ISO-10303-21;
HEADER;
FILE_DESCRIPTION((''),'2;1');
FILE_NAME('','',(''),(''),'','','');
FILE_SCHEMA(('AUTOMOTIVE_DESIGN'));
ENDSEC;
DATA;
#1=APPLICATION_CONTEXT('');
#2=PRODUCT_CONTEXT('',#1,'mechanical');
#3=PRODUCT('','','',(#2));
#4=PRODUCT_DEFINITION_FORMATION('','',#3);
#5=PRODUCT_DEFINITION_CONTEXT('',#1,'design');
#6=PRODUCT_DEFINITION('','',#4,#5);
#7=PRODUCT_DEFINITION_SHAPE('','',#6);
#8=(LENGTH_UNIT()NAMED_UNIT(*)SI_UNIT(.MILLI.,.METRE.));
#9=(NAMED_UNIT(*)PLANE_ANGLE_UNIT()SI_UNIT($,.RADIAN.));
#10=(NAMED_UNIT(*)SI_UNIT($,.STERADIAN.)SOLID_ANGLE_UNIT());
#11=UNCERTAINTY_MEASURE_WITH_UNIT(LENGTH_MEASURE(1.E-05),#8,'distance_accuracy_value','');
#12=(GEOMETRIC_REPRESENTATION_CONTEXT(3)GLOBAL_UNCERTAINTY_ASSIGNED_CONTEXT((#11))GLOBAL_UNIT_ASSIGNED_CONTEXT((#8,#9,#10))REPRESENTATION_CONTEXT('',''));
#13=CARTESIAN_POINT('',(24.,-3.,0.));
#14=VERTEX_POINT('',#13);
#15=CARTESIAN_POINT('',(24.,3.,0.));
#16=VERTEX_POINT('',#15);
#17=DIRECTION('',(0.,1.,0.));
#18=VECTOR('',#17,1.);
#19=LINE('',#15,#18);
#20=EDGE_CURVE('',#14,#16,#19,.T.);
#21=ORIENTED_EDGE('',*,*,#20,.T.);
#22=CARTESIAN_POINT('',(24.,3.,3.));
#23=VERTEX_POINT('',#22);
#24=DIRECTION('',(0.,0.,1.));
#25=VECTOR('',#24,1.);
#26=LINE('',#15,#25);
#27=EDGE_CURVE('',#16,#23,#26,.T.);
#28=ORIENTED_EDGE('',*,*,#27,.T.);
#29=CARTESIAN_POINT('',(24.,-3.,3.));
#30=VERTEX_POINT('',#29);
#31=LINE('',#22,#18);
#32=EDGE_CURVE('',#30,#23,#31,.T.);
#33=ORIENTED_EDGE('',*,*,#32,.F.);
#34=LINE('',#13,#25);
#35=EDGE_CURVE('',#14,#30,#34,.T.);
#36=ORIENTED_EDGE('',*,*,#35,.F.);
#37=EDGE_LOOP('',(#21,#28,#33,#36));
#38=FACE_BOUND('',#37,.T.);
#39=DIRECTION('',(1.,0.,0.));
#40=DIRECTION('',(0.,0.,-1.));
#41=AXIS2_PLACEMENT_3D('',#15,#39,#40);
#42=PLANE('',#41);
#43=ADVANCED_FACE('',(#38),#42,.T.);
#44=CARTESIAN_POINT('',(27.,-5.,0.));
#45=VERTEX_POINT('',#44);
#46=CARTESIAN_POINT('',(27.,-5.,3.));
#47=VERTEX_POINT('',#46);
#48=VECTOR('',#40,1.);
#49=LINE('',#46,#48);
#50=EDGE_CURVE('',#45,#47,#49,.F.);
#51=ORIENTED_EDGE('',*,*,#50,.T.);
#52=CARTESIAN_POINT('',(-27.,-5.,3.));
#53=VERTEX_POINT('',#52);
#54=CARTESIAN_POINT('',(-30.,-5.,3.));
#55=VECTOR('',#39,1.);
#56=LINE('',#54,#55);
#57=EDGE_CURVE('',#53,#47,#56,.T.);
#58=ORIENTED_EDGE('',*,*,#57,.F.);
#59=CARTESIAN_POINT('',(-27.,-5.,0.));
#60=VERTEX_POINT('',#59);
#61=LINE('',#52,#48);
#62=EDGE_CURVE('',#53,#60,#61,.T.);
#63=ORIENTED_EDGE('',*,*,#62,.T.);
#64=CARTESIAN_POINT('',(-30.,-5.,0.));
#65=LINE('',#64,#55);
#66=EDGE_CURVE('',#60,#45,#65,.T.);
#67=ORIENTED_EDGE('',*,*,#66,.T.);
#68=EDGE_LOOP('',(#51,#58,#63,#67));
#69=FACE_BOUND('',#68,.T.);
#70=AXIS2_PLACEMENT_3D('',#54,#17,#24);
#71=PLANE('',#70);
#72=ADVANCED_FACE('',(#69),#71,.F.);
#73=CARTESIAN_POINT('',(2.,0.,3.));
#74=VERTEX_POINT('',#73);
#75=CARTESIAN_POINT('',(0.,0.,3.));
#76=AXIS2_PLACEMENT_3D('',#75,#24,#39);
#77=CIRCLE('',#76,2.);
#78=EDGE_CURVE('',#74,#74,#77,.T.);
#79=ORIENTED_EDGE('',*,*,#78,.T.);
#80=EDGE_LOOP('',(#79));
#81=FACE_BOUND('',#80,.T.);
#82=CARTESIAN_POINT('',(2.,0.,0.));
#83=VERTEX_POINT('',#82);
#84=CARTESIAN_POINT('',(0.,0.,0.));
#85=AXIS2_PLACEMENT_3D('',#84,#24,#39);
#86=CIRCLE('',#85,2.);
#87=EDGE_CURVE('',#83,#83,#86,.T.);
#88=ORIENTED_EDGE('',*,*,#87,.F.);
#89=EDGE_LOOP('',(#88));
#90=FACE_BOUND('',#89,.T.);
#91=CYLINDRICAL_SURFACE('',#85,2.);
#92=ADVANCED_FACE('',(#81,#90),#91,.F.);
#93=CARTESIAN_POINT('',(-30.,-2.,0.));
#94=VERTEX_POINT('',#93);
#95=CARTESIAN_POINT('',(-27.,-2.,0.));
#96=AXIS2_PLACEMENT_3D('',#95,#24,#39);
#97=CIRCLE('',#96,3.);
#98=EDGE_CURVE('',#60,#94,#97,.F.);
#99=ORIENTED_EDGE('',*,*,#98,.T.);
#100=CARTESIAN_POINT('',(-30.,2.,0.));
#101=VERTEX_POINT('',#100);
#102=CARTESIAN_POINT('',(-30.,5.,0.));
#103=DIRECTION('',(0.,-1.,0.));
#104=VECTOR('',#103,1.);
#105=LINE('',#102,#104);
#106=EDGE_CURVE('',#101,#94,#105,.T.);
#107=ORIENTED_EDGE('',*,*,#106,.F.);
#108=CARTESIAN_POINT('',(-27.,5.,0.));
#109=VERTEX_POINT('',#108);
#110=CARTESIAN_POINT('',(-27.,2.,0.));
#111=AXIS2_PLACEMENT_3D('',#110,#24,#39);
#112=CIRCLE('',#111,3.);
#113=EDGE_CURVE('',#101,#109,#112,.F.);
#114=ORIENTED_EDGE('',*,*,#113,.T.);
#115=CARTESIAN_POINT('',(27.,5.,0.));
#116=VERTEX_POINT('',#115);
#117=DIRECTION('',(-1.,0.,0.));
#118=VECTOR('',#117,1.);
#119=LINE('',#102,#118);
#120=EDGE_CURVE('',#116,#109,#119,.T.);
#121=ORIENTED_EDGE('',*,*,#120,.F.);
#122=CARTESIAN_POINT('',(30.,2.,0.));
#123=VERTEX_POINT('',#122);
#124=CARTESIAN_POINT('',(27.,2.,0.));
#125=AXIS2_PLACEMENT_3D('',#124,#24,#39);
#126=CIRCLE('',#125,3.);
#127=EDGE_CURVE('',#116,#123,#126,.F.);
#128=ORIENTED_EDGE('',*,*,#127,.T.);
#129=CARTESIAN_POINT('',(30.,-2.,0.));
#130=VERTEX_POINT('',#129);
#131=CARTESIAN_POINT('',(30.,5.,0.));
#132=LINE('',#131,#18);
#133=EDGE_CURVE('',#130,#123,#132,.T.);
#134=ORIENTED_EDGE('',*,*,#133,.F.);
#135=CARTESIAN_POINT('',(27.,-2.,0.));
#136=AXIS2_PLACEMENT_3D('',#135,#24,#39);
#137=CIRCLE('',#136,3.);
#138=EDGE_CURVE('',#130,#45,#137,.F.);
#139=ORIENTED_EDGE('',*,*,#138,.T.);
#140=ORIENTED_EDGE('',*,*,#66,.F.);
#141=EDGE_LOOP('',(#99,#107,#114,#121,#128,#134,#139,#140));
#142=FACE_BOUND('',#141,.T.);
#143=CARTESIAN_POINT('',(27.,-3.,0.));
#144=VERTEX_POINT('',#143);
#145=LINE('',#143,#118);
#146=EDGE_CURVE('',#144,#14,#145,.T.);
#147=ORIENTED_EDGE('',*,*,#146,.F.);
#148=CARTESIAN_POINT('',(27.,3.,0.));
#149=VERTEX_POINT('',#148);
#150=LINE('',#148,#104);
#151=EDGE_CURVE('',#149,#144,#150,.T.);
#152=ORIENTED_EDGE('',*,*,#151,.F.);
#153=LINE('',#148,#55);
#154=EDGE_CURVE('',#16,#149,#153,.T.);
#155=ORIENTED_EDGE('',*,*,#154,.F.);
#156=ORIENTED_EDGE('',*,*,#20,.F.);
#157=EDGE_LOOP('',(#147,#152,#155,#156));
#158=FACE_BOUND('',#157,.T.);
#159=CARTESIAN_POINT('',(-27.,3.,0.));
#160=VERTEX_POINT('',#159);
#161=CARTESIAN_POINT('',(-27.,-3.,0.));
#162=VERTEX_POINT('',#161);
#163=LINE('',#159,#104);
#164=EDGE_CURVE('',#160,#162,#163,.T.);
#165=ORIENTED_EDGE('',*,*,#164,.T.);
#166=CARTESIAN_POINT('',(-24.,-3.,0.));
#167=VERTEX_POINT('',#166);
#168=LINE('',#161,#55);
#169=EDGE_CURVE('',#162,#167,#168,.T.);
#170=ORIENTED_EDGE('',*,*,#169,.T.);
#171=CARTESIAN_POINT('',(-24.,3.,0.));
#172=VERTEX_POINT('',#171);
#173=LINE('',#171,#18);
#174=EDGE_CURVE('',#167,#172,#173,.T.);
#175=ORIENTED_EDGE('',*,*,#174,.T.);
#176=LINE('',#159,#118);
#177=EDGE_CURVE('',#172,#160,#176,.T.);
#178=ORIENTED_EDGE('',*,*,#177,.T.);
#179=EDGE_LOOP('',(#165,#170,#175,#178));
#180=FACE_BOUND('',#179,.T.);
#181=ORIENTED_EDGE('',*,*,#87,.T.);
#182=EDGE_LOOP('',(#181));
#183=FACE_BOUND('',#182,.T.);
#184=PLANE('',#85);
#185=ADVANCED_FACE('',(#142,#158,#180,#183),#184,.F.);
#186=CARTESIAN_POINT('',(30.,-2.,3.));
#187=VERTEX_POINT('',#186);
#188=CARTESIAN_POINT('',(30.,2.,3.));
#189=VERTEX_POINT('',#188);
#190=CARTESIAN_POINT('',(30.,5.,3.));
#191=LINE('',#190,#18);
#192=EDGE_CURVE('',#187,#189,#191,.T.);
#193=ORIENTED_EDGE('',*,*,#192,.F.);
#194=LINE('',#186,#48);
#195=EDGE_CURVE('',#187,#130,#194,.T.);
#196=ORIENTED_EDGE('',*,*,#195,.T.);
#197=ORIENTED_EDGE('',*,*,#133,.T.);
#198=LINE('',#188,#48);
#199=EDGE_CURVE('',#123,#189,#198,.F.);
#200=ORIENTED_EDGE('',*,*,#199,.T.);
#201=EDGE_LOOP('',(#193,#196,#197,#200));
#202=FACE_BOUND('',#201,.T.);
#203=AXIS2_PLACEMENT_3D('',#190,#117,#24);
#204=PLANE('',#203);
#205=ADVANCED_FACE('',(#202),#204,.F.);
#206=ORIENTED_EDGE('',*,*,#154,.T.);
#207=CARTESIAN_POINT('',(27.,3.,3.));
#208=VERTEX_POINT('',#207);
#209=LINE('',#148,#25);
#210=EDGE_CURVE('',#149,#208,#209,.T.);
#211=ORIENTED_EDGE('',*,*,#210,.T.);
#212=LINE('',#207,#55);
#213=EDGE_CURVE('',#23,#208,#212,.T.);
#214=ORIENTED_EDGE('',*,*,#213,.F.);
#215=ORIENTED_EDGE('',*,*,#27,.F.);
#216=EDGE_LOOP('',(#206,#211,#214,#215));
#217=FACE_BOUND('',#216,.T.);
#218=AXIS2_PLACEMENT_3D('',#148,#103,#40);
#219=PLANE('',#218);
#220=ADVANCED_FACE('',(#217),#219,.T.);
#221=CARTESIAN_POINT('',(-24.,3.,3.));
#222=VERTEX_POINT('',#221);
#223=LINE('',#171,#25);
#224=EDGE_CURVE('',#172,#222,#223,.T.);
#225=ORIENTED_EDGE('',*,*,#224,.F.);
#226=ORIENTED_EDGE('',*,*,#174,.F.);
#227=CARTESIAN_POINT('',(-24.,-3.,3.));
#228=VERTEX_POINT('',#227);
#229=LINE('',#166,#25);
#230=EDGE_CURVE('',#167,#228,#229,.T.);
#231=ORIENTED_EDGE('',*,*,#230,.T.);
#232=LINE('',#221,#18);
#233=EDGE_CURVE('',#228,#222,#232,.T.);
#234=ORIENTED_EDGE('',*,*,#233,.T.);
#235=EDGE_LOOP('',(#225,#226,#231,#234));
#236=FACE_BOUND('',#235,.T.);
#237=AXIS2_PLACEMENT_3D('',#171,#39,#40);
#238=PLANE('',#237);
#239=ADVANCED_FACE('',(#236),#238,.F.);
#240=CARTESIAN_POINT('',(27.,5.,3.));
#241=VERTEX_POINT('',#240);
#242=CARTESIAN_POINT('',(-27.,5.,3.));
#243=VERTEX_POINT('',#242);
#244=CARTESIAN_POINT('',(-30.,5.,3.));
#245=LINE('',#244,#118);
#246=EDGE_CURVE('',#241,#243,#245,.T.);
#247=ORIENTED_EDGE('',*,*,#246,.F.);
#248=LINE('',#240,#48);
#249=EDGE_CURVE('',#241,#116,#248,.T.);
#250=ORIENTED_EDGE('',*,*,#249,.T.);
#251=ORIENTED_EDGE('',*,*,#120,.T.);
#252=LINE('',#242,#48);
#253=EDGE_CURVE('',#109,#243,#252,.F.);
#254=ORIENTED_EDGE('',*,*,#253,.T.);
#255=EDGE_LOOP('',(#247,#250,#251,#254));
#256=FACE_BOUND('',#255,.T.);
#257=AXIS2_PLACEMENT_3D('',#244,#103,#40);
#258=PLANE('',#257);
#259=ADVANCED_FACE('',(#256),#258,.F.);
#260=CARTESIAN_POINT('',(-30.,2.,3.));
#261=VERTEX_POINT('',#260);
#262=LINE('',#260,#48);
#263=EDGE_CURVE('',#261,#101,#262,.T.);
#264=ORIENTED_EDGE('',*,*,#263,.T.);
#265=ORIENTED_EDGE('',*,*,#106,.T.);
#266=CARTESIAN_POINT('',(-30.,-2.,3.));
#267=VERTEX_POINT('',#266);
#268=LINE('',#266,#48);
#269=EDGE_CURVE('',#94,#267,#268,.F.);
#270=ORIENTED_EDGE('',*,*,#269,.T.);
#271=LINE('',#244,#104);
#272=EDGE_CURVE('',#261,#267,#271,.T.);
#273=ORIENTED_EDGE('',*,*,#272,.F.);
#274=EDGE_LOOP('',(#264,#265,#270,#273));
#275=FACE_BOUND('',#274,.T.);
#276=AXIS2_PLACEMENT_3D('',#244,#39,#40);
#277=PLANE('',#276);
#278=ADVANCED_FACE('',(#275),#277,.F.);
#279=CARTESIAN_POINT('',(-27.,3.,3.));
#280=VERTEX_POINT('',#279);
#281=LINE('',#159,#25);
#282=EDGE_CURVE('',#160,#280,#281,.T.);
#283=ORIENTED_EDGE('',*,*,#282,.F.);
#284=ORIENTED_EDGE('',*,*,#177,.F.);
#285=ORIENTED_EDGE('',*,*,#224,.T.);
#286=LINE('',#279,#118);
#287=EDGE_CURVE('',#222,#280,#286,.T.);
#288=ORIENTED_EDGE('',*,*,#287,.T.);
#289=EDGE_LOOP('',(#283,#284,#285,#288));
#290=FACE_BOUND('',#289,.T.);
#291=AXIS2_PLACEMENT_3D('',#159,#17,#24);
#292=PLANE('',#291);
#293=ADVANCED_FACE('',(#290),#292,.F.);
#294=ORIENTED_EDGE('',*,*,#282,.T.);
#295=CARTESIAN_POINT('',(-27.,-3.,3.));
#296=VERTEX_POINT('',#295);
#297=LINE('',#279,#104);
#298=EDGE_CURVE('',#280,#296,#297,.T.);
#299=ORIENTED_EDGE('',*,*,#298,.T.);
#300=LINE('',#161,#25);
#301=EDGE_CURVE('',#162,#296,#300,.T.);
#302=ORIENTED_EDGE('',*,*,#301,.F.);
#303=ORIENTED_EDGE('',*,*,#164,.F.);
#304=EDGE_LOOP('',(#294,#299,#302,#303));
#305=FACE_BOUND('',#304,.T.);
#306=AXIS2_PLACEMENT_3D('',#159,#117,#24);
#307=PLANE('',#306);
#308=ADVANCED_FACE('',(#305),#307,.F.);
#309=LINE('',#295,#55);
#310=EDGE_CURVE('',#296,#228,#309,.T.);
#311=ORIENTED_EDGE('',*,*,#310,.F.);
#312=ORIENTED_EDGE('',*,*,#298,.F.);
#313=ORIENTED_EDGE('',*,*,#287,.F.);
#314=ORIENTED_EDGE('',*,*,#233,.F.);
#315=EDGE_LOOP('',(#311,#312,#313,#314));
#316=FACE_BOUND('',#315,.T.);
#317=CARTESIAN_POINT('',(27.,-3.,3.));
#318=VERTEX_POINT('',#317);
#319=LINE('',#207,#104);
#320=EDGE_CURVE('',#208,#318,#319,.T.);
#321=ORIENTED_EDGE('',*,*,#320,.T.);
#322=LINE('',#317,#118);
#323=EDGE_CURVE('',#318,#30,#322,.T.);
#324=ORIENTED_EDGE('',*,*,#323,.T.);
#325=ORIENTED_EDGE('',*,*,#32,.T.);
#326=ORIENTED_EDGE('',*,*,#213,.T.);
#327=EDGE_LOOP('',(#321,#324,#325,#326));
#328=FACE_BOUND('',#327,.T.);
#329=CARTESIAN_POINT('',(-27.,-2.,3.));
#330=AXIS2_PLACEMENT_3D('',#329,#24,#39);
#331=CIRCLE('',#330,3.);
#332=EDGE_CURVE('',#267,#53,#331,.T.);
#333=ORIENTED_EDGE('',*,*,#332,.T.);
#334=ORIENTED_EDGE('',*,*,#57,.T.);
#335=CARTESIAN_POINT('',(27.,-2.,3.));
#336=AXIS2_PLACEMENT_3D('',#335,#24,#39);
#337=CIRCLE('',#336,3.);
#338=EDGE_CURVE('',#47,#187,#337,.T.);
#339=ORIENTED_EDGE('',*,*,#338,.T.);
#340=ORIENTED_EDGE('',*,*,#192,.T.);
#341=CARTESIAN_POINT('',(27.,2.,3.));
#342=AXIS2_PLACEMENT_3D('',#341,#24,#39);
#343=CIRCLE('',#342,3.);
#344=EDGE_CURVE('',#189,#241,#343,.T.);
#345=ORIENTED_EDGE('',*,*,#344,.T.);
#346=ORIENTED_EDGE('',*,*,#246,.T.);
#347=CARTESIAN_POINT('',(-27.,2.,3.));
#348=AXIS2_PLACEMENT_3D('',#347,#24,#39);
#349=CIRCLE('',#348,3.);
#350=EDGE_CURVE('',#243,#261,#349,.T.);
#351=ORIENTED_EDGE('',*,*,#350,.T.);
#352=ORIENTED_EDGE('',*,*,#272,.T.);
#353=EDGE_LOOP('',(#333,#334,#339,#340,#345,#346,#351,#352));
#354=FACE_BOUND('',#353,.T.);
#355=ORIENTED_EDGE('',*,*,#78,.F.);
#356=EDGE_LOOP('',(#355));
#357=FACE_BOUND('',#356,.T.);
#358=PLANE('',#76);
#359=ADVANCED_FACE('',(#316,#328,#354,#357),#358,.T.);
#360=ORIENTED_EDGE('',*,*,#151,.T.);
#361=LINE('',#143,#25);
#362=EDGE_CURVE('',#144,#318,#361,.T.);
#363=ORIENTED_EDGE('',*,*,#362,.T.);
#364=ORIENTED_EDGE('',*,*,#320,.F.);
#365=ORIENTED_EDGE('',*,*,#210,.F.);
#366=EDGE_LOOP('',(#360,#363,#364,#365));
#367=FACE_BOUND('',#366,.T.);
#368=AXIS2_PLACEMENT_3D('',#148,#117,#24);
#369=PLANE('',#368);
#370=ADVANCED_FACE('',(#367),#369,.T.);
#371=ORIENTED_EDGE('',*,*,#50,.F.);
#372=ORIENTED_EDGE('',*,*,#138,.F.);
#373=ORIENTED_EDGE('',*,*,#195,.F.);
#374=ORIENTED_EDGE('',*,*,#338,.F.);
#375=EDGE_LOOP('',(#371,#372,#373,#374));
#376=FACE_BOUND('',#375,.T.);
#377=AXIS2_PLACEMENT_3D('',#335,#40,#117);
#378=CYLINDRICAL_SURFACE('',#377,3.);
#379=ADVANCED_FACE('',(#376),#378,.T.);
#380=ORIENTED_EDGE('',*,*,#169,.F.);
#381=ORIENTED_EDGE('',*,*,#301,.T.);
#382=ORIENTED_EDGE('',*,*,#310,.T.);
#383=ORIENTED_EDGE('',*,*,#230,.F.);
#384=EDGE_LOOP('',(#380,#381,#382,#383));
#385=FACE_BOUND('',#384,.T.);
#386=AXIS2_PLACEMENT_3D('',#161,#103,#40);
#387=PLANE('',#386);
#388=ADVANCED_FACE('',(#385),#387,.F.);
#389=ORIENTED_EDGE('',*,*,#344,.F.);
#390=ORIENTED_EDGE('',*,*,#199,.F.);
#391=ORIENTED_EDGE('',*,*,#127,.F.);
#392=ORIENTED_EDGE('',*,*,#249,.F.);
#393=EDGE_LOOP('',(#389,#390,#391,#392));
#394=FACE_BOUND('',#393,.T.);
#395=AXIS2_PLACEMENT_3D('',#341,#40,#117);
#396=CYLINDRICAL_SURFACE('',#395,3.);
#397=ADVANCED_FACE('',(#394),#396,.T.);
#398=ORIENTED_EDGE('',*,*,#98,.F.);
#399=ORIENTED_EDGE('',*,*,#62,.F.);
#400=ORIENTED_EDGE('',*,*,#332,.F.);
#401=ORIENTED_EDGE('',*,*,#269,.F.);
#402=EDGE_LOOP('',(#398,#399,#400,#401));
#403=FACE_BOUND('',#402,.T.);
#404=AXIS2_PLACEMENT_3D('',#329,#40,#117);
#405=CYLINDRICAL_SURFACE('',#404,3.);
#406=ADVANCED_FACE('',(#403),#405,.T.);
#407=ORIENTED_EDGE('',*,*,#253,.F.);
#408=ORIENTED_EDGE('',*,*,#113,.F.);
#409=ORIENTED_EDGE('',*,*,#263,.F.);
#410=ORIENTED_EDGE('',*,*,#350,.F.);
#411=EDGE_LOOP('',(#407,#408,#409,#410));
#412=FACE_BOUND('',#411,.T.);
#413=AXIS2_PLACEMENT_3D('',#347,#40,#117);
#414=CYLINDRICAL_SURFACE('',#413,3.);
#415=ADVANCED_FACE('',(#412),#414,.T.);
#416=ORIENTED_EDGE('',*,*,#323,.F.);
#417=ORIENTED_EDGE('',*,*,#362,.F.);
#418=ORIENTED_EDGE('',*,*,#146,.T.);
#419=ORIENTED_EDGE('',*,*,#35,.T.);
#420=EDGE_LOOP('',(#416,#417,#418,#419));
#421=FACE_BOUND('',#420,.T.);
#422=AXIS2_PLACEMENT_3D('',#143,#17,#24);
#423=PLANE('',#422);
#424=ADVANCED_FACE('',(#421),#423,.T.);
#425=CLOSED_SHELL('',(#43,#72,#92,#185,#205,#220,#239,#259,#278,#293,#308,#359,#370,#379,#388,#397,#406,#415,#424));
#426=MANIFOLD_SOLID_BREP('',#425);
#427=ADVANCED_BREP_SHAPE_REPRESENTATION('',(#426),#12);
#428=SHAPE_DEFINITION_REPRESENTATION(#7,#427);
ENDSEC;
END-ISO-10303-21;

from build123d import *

# Parameters (mm, degrees)
SKETCH1_W           = 60
SKETCH1_H           = 10
BOSS_EXTRUDE1_DEPTH = 3
SKETCH2_R           = 2
CUT_EXTRUDE1_DEPTH  = 3
SKETCH3_W           = 3
SKETCH3_H           = 6
CUT_EXTRUDE2_DEPTH  = 3
FILLET1_R           = 3


with BuildPart() as part:
    # Sketch1 → Boss-Extrude1 (new body)
    with BuildSketch(Plane.XY):
        Rectangle(SKETCH1_W, SKETCH1_H)
    extrude(amount=BOSS_EXTRUDE1_DEPTH)

    # Sketch2 → Cut-Extrude1 (cut)
    with BuildSketch(Plane.XY.offset(3)):
        Circle(SKETCH2_R)
    extrude(amount=-CUT_EXTRUDE1_DEPTH, mode=Mode.SUBTRACT)

    # Sketch3 → Cut-Extrude2 (cut)
    with BuildSketch(Plane.XY.offset(3)):
        with Locations((-25.5, 0)):
            Rectangle(SKETCH3_W, SKETCH3_H)
    cut_extrude2 = extrude(amount=-CUT_EXTRUDE2_DEPTH, mode=Mode.SUBTRACT)

    # Mirror1: Cut-Extrude2 across plane
    add(cut_extrude2.mirror(Plane(origin=(0, 0, 0), x_dir=(0, 0, 1), z_dir=(1, 0, 0))), mode=Mode.SUBTRACT)

    # Fillet1
    fillet1_edges = [part.edges().sort_by_distance(p)[0] for p in [
        (30, -5, 1.5),
        (-30, -5, 1.5),
        (-30, 5, 1.5),
        (30, 5, 1.5),
    ]]
    fillet(fillet1_edges, radius=FILLET1_R)


solid = part.part
